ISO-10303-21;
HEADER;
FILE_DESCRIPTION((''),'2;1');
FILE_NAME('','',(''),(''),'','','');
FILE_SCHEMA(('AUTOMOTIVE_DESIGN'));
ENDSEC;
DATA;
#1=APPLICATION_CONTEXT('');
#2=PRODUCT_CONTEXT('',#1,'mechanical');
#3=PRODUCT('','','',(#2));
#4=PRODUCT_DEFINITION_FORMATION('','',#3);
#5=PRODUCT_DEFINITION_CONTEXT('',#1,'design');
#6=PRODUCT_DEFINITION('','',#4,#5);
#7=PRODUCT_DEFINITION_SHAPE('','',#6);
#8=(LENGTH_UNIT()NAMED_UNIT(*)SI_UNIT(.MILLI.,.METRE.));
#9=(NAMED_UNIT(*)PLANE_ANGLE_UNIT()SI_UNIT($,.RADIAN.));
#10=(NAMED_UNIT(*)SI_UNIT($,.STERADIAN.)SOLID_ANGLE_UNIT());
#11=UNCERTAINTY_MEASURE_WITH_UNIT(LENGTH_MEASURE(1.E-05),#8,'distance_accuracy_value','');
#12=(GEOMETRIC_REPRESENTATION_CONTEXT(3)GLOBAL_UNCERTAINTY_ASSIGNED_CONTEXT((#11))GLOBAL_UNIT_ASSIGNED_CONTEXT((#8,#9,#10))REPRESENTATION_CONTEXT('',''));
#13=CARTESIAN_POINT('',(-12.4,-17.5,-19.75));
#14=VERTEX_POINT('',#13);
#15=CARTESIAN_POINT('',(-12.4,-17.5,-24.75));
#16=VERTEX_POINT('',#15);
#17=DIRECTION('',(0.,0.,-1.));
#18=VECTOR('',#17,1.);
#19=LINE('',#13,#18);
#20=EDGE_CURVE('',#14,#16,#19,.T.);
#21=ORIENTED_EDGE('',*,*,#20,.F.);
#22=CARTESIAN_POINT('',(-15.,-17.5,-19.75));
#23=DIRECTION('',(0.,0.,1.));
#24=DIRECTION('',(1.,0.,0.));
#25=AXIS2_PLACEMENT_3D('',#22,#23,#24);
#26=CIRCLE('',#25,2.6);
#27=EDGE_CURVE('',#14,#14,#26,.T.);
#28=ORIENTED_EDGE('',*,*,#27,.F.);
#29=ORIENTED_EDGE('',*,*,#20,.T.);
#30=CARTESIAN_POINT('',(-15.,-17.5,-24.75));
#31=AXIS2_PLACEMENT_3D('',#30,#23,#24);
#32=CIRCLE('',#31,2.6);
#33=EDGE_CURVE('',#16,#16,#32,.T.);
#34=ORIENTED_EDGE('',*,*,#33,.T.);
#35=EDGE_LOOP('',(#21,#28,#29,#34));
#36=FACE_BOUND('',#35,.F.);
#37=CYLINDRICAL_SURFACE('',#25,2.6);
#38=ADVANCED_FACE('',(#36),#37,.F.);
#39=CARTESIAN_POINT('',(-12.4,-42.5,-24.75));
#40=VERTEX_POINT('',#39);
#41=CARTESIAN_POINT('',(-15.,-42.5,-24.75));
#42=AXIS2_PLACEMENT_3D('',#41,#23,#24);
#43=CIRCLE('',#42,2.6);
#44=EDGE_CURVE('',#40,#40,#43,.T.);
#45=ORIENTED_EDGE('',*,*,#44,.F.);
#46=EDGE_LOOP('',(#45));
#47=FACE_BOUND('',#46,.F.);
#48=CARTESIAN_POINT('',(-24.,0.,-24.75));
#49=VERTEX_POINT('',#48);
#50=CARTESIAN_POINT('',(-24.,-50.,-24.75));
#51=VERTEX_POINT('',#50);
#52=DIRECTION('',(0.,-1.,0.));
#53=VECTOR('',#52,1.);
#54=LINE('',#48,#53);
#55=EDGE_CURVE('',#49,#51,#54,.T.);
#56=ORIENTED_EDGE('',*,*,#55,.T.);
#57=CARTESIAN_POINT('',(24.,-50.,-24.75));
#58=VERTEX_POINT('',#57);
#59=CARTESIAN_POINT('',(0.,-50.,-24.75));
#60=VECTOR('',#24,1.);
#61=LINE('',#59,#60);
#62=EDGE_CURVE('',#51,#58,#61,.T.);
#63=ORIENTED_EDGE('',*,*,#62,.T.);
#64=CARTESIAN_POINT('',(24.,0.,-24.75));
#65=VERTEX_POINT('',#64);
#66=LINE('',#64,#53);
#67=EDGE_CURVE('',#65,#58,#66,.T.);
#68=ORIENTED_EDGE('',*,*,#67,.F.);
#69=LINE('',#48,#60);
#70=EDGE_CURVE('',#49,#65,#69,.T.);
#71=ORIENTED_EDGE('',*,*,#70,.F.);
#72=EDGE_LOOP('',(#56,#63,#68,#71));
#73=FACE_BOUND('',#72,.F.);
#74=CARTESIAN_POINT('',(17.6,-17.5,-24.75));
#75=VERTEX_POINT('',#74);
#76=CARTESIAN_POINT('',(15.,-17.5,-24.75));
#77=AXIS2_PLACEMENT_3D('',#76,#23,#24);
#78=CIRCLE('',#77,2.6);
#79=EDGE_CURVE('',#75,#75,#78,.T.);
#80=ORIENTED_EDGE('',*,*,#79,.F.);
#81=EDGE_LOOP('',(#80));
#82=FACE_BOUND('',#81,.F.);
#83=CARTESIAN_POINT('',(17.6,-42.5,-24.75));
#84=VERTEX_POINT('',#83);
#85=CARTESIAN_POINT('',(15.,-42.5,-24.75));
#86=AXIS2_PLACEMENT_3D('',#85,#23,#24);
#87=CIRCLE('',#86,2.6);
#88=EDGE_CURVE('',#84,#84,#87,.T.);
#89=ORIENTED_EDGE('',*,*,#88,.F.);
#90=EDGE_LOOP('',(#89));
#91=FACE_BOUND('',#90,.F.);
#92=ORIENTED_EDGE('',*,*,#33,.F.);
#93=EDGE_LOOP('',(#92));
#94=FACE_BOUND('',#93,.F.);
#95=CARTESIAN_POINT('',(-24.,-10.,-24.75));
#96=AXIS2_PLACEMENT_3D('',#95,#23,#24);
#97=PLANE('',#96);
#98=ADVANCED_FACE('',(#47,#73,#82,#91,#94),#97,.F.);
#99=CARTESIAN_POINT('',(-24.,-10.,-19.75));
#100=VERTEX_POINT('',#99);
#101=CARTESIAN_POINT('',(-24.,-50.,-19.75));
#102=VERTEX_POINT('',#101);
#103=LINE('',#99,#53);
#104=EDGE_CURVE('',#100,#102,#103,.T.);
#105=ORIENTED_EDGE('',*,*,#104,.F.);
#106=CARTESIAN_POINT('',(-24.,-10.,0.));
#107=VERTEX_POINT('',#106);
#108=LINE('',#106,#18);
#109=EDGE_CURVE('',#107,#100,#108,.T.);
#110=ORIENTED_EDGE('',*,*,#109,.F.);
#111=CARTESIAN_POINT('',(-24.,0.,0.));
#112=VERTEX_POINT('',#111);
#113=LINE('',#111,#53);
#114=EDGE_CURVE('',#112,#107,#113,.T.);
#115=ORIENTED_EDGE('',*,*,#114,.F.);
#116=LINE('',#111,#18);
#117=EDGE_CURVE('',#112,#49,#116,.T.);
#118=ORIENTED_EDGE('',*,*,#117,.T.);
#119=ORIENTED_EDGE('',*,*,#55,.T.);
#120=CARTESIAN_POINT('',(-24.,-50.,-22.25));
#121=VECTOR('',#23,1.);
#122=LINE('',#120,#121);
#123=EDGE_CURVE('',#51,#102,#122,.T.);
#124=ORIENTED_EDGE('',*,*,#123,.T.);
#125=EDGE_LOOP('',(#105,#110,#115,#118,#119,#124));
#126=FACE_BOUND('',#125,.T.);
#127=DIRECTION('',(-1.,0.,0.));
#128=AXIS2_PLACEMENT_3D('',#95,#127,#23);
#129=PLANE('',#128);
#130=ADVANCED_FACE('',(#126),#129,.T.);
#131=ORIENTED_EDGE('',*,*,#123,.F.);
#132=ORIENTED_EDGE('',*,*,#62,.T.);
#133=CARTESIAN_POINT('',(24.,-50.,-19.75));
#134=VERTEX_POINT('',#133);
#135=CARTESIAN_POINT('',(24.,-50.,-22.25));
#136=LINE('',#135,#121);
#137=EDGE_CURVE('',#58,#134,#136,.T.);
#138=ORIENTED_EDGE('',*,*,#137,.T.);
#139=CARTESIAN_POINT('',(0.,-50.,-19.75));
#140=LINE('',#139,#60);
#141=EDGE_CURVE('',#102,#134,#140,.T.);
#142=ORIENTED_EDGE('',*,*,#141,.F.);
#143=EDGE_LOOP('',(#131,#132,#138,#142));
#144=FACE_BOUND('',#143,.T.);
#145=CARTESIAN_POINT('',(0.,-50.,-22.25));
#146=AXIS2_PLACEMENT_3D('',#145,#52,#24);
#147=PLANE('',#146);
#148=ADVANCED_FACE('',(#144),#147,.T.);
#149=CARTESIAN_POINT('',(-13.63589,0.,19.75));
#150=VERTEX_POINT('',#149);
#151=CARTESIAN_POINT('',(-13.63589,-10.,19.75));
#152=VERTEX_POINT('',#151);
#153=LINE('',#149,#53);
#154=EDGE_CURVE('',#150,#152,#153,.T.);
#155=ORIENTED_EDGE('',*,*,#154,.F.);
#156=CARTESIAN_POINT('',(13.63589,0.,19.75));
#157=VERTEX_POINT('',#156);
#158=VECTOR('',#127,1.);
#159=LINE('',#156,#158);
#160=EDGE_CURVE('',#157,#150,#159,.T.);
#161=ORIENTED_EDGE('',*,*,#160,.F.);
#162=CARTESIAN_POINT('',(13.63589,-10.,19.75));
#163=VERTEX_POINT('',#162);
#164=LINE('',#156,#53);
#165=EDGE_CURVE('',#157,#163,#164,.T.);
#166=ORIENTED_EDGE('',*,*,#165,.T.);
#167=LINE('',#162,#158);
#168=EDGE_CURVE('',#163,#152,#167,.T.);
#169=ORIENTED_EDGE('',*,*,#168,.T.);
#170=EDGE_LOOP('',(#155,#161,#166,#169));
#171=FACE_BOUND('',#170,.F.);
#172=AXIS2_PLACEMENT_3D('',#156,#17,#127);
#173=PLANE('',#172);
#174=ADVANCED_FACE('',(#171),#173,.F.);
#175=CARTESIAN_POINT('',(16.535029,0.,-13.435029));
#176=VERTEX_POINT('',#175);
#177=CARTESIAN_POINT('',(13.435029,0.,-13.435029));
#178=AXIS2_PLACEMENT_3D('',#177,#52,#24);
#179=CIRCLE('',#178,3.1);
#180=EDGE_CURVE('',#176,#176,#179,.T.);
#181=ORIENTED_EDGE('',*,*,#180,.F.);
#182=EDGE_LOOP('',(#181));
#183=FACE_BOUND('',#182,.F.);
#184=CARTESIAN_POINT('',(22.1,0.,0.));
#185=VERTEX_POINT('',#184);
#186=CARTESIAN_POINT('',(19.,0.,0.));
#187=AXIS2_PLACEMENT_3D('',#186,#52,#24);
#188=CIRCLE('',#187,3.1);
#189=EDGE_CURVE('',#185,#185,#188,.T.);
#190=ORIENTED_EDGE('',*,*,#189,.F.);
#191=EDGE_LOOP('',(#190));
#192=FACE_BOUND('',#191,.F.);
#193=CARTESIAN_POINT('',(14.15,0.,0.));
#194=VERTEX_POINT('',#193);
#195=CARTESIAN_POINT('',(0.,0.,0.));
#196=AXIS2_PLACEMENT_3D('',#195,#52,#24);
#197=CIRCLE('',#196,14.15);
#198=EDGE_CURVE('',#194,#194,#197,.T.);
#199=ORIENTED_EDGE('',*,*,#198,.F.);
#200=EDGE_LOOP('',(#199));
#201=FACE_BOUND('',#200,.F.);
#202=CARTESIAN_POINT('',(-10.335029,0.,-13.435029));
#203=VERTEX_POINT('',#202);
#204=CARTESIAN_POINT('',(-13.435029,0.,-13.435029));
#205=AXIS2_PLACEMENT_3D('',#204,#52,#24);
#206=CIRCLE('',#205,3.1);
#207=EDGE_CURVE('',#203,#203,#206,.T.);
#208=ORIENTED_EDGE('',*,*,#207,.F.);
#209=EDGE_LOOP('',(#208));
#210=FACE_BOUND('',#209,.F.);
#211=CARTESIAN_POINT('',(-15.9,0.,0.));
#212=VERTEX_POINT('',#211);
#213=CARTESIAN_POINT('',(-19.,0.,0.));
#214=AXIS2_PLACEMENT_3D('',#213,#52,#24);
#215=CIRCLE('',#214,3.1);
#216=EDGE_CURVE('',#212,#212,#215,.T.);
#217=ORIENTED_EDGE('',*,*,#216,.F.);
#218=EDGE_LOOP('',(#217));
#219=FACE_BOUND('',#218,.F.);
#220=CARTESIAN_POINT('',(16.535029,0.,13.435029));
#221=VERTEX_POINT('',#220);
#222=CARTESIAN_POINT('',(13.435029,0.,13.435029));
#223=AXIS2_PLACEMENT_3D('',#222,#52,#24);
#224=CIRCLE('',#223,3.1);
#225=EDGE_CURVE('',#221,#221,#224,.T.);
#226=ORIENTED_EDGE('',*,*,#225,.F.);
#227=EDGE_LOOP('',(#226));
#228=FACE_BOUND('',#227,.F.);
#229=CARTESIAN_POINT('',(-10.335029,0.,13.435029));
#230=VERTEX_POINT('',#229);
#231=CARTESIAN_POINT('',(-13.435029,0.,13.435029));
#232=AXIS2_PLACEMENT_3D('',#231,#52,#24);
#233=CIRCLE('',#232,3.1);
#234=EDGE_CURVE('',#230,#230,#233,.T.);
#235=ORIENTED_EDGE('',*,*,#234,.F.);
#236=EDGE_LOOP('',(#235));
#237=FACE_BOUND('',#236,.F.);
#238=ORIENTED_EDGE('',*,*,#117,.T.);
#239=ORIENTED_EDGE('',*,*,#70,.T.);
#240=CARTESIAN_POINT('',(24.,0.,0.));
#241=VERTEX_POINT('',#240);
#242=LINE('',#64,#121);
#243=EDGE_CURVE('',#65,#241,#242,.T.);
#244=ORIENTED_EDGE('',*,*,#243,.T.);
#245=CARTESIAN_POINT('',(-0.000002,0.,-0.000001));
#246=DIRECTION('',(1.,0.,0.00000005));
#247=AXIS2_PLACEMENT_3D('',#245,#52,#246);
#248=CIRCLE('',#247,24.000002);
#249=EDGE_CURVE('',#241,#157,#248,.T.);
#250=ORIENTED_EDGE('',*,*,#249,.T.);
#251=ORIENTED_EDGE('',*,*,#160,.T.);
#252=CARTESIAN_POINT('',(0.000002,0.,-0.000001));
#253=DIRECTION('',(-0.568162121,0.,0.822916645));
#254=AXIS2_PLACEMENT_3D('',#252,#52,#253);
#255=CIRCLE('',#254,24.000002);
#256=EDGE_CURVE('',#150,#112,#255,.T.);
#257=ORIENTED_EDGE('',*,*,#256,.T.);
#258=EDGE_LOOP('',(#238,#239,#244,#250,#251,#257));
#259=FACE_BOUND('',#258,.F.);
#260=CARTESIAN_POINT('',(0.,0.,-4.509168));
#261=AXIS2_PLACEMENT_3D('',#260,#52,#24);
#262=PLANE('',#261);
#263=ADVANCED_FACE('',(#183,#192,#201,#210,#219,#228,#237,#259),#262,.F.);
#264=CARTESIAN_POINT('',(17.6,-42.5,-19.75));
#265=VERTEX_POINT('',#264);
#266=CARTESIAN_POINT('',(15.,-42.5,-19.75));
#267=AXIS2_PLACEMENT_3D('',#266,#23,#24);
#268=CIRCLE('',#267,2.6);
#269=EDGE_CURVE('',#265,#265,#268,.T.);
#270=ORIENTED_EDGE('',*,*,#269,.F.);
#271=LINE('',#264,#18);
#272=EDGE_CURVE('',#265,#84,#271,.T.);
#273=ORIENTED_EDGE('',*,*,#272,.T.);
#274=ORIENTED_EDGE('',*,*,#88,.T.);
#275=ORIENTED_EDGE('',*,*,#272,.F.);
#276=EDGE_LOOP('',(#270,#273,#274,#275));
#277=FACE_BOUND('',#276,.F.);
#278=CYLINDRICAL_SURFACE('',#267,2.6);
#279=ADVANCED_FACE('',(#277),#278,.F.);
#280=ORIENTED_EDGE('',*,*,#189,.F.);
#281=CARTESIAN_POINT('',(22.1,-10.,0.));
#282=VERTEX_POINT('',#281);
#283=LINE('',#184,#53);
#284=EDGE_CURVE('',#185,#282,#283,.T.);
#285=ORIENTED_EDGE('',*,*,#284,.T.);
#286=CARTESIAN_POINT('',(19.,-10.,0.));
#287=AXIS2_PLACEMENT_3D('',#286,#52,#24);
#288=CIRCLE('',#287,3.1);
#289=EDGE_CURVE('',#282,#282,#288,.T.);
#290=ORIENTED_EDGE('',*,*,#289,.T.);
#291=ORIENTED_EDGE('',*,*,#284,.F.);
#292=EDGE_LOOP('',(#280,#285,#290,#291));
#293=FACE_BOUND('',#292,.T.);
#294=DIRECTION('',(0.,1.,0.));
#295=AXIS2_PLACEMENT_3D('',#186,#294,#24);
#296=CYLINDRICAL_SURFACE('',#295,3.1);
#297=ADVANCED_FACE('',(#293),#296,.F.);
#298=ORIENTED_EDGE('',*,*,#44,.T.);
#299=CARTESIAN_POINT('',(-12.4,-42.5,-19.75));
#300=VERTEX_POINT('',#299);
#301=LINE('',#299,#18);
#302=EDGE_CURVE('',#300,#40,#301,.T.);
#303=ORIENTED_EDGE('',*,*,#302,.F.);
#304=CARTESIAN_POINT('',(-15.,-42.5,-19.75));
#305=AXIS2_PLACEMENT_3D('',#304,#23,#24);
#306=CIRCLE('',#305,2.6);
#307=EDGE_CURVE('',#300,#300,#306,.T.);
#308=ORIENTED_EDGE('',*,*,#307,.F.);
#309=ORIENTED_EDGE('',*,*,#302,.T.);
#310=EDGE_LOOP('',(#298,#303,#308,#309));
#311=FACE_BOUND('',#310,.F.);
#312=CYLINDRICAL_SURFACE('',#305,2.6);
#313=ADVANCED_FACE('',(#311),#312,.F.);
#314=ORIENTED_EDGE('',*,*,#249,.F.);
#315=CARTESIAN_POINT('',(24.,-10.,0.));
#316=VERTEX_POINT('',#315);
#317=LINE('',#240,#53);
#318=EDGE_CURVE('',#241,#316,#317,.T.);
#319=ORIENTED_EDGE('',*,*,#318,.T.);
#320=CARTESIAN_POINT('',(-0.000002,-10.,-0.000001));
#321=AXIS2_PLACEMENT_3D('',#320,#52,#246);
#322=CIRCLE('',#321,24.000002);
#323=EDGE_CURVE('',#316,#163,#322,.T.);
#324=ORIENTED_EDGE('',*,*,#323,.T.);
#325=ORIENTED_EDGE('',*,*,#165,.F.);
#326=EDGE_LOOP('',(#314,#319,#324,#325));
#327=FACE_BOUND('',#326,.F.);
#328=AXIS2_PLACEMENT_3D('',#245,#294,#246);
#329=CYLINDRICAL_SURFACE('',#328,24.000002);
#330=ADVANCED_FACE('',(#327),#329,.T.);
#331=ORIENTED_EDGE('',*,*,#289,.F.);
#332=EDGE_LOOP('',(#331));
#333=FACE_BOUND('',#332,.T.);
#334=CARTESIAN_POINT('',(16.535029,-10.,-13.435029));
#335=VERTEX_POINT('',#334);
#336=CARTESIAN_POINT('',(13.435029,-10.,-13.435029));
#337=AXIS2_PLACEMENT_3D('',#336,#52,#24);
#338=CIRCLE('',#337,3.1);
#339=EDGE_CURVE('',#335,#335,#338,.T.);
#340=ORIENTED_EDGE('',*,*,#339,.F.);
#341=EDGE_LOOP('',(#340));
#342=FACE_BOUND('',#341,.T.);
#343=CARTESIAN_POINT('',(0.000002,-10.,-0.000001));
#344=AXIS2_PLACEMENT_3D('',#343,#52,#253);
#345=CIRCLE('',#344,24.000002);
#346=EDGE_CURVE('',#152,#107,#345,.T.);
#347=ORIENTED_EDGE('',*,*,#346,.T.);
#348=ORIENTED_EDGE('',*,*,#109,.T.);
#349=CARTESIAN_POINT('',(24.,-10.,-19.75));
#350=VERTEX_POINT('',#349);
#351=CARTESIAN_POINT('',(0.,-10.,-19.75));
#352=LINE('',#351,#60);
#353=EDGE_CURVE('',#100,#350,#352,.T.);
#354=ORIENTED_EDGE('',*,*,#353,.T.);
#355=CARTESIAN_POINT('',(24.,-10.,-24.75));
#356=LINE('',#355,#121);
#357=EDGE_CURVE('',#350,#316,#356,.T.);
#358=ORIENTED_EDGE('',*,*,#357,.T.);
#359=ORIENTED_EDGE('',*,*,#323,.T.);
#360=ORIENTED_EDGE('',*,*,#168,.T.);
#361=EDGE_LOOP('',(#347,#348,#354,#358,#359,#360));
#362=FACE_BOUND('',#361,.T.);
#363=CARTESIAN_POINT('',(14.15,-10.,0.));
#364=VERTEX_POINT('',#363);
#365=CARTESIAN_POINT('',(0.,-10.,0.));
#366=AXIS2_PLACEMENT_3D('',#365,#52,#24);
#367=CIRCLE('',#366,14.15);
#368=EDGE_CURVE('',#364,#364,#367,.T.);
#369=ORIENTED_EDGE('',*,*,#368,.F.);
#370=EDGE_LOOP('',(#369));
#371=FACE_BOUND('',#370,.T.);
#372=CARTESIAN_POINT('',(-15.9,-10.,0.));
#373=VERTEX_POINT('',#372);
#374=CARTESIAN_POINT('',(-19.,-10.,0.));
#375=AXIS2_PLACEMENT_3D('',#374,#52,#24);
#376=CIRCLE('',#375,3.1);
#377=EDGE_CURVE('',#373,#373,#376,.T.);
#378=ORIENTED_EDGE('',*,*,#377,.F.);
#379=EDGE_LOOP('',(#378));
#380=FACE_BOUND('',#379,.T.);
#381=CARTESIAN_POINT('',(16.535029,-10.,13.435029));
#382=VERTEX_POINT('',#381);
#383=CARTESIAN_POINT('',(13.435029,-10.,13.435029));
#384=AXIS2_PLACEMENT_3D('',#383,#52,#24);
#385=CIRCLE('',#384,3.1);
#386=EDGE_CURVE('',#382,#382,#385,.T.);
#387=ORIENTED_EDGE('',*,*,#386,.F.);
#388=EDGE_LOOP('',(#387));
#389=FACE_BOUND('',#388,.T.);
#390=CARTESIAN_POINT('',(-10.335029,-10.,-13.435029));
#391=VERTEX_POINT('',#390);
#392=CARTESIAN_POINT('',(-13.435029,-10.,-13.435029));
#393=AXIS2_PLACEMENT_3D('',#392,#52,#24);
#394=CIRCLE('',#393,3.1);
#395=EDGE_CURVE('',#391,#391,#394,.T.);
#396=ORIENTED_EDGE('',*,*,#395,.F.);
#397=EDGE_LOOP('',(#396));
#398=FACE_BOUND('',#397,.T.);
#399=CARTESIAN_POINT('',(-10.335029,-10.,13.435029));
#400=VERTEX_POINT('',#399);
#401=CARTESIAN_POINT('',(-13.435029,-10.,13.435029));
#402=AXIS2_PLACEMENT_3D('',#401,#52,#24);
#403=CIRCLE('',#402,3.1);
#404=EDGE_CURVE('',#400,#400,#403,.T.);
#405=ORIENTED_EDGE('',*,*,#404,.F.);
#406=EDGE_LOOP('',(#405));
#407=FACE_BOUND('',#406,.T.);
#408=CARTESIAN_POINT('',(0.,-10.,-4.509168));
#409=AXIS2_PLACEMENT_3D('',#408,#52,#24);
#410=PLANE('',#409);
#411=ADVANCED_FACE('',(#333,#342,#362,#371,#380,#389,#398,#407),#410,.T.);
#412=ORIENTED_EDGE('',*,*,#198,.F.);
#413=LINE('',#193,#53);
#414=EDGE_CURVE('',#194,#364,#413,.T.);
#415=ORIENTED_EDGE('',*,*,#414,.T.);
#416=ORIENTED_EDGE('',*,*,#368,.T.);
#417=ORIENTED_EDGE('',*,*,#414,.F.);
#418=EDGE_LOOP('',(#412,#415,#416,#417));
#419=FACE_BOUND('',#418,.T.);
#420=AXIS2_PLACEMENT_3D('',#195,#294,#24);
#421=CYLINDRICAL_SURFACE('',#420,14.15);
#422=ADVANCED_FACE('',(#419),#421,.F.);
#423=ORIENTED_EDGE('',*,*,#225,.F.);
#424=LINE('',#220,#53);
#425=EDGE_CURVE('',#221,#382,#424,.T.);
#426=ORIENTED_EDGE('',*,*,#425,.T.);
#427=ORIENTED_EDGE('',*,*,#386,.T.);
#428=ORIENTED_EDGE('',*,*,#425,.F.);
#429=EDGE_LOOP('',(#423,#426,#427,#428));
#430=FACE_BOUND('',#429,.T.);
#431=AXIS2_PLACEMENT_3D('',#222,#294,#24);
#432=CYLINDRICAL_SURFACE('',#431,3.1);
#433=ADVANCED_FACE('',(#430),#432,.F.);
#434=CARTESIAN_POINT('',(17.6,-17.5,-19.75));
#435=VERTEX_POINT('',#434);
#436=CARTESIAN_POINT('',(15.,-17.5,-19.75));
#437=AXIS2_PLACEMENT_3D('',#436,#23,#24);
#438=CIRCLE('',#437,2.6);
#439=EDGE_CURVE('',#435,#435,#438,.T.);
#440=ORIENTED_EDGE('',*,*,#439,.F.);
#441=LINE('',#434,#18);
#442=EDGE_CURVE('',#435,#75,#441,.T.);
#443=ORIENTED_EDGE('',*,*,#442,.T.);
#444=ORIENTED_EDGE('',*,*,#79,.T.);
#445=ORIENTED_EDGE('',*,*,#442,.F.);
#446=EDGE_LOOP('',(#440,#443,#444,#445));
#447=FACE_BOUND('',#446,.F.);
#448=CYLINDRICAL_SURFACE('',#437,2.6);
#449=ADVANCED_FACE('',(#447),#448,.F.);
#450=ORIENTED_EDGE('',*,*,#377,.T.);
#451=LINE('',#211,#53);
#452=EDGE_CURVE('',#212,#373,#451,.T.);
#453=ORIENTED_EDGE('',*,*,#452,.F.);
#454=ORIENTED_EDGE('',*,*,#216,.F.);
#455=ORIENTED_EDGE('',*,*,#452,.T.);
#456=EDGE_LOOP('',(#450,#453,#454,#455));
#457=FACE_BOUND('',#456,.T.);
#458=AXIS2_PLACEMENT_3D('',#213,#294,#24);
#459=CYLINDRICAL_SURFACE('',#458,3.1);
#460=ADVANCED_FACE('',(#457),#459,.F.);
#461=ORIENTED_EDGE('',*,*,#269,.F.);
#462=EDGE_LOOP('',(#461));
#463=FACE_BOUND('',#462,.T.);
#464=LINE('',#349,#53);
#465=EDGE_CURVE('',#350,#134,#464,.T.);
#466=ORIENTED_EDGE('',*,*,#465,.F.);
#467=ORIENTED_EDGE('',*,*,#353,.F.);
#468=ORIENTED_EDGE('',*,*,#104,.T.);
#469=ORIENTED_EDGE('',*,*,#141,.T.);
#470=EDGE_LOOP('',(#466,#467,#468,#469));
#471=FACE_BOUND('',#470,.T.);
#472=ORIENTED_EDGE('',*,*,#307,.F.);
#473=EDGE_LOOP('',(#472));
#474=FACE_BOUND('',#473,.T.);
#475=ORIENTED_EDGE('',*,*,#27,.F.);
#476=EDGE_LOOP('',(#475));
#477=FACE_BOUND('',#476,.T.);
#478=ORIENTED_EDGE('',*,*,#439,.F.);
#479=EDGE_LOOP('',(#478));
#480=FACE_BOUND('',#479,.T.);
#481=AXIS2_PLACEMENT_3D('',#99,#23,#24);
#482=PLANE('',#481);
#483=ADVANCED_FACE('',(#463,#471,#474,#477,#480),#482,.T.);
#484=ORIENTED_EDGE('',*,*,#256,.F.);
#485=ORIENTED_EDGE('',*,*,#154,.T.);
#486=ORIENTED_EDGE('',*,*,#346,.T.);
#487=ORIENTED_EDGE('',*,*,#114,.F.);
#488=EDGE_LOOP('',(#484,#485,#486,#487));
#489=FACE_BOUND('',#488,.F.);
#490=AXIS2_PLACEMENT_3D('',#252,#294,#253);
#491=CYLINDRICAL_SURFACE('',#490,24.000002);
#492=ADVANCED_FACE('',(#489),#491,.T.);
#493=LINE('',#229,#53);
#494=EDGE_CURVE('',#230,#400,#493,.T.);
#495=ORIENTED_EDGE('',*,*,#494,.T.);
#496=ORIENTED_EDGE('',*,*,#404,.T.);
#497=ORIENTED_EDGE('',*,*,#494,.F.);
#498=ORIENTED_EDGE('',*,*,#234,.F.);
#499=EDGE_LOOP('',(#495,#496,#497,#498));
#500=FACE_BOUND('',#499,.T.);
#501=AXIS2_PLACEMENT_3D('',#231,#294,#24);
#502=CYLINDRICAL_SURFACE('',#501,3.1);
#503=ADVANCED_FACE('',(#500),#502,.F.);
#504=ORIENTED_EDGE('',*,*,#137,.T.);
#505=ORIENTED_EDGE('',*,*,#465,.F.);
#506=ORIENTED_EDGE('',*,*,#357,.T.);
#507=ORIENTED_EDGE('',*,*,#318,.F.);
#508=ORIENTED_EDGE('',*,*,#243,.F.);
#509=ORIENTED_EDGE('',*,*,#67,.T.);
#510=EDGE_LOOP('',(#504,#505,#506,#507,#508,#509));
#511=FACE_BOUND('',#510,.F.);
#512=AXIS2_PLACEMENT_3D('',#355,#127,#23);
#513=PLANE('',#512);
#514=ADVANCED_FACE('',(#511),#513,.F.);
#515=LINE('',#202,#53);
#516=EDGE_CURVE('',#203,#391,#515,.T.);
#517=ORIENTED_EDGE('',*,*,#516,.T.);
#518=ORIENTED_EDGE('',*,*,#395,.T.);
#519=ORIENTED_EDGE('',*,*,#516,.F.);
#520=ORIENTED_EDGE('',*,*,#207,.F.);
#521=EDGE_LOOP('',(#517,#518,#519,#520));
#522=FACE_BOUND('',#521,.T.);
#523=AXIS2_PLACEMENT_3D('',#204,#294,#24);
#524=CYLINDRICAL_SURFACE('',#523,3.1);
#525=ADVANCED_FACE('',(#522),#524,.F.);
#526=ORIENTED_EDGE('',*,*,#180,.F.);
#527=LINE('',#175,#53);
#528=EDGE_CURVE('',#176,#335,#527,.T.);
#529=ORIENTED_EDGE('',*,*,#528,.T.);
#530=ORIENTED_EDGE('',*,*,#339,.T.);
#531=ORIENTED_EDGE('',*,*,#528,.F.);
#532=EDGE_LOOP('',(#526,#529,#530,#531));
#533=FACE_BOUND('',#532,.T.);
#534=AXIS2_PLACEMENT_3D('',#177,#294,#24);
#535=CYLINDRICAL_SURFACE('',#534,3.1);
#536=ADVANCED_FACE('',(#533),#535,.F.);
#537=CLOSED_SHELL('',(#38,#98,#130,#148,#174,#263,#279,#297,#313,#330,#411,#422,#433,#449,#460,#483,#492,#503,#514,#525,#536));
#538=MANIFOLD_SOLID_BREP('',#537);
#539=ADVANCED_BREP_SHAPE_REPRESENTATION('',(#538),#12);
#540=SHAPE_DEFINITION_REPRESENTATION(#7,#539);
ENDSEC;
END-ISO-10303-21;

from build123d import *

# Parameters (mm, degrees)
F0_R     = 3.1
F0_R_2   = 14.15
F1_DEPTH = 10
F2_W     = 48
F2_H     = 5
F3_DEPTH = 40
F4_R     = 2.6
F5_DEPTH = 5


with BuildPart() as f1:
    # F0 (on Front) → F1 (new body)
    with BuildSketch(Plane.XZ):
        with BuildLine():
            Line((13.63589, 19.75), (-13.63589, 19.75))
            ThreePointArc((-13.63589, 19.75), (-21.251604, 11.152099), (-24, 0))
            Line((-24, 0), (-24, -24.75))
            Line((-24, -24.75), (24, -24.75))
            Line((24, -24.75), (24, 0))
            ThreePointArc((24, 0), (21.251604, 11.152099), (13.63589, 19.75))
        make_face()
        with Locations((-13.435029, -13.435029)):
            Circle(F0_R, mode=Mode.SUBTRACT)
        with Locations((13.435029, -13.435029)):
            Circle(F0_R, mode=Mode.SUBTRACT)
        with Locations((-19, 0)):
            Circle(F0_R, mode=Mode.SUBTRACT)
        with Locations((-13.435029, 13.435029)):
            Circle(F0_R, mode=Mode.SUBTRACT)
        Circle(F0_R_2, mode=Mode.SUBTRACT)
        with Locations((19, 0)):
            Circle(F0_R, mode=Mode.SUBTRACT)
        with Locations((13.435029, 13.435029)):
            Circle(F0_R, mode=Mode.SUBTRACT)
    extrude(amount=F1_DEPTH)

    # F2 (on face) → F3 (join)
    with BuildSketch(Plane.XZ.offset(10)):
        with Locations((0, -22.25)):
            Rectangle(F2_W, F2_H)
    extrude(amount=F3_DEPTH)

    # F4 (on face) → F5 (cut, through all)
    with BuildSketch(Plane.XY.offset(-19.75)):
        with Locations((-15, -17.5)):
            Circle(F4_R)
        with Locations((-15, -42.5)):
            Circle(F4_R)
        with Locations((15, -42.5)):
            Circle(F4_R)
        with Locations((15, -17.5)):
            Circle(F4_R)
    extrude(amount=-F5_DEPTH, mode=Mode.SUBTRACT)


solid = f1.part
